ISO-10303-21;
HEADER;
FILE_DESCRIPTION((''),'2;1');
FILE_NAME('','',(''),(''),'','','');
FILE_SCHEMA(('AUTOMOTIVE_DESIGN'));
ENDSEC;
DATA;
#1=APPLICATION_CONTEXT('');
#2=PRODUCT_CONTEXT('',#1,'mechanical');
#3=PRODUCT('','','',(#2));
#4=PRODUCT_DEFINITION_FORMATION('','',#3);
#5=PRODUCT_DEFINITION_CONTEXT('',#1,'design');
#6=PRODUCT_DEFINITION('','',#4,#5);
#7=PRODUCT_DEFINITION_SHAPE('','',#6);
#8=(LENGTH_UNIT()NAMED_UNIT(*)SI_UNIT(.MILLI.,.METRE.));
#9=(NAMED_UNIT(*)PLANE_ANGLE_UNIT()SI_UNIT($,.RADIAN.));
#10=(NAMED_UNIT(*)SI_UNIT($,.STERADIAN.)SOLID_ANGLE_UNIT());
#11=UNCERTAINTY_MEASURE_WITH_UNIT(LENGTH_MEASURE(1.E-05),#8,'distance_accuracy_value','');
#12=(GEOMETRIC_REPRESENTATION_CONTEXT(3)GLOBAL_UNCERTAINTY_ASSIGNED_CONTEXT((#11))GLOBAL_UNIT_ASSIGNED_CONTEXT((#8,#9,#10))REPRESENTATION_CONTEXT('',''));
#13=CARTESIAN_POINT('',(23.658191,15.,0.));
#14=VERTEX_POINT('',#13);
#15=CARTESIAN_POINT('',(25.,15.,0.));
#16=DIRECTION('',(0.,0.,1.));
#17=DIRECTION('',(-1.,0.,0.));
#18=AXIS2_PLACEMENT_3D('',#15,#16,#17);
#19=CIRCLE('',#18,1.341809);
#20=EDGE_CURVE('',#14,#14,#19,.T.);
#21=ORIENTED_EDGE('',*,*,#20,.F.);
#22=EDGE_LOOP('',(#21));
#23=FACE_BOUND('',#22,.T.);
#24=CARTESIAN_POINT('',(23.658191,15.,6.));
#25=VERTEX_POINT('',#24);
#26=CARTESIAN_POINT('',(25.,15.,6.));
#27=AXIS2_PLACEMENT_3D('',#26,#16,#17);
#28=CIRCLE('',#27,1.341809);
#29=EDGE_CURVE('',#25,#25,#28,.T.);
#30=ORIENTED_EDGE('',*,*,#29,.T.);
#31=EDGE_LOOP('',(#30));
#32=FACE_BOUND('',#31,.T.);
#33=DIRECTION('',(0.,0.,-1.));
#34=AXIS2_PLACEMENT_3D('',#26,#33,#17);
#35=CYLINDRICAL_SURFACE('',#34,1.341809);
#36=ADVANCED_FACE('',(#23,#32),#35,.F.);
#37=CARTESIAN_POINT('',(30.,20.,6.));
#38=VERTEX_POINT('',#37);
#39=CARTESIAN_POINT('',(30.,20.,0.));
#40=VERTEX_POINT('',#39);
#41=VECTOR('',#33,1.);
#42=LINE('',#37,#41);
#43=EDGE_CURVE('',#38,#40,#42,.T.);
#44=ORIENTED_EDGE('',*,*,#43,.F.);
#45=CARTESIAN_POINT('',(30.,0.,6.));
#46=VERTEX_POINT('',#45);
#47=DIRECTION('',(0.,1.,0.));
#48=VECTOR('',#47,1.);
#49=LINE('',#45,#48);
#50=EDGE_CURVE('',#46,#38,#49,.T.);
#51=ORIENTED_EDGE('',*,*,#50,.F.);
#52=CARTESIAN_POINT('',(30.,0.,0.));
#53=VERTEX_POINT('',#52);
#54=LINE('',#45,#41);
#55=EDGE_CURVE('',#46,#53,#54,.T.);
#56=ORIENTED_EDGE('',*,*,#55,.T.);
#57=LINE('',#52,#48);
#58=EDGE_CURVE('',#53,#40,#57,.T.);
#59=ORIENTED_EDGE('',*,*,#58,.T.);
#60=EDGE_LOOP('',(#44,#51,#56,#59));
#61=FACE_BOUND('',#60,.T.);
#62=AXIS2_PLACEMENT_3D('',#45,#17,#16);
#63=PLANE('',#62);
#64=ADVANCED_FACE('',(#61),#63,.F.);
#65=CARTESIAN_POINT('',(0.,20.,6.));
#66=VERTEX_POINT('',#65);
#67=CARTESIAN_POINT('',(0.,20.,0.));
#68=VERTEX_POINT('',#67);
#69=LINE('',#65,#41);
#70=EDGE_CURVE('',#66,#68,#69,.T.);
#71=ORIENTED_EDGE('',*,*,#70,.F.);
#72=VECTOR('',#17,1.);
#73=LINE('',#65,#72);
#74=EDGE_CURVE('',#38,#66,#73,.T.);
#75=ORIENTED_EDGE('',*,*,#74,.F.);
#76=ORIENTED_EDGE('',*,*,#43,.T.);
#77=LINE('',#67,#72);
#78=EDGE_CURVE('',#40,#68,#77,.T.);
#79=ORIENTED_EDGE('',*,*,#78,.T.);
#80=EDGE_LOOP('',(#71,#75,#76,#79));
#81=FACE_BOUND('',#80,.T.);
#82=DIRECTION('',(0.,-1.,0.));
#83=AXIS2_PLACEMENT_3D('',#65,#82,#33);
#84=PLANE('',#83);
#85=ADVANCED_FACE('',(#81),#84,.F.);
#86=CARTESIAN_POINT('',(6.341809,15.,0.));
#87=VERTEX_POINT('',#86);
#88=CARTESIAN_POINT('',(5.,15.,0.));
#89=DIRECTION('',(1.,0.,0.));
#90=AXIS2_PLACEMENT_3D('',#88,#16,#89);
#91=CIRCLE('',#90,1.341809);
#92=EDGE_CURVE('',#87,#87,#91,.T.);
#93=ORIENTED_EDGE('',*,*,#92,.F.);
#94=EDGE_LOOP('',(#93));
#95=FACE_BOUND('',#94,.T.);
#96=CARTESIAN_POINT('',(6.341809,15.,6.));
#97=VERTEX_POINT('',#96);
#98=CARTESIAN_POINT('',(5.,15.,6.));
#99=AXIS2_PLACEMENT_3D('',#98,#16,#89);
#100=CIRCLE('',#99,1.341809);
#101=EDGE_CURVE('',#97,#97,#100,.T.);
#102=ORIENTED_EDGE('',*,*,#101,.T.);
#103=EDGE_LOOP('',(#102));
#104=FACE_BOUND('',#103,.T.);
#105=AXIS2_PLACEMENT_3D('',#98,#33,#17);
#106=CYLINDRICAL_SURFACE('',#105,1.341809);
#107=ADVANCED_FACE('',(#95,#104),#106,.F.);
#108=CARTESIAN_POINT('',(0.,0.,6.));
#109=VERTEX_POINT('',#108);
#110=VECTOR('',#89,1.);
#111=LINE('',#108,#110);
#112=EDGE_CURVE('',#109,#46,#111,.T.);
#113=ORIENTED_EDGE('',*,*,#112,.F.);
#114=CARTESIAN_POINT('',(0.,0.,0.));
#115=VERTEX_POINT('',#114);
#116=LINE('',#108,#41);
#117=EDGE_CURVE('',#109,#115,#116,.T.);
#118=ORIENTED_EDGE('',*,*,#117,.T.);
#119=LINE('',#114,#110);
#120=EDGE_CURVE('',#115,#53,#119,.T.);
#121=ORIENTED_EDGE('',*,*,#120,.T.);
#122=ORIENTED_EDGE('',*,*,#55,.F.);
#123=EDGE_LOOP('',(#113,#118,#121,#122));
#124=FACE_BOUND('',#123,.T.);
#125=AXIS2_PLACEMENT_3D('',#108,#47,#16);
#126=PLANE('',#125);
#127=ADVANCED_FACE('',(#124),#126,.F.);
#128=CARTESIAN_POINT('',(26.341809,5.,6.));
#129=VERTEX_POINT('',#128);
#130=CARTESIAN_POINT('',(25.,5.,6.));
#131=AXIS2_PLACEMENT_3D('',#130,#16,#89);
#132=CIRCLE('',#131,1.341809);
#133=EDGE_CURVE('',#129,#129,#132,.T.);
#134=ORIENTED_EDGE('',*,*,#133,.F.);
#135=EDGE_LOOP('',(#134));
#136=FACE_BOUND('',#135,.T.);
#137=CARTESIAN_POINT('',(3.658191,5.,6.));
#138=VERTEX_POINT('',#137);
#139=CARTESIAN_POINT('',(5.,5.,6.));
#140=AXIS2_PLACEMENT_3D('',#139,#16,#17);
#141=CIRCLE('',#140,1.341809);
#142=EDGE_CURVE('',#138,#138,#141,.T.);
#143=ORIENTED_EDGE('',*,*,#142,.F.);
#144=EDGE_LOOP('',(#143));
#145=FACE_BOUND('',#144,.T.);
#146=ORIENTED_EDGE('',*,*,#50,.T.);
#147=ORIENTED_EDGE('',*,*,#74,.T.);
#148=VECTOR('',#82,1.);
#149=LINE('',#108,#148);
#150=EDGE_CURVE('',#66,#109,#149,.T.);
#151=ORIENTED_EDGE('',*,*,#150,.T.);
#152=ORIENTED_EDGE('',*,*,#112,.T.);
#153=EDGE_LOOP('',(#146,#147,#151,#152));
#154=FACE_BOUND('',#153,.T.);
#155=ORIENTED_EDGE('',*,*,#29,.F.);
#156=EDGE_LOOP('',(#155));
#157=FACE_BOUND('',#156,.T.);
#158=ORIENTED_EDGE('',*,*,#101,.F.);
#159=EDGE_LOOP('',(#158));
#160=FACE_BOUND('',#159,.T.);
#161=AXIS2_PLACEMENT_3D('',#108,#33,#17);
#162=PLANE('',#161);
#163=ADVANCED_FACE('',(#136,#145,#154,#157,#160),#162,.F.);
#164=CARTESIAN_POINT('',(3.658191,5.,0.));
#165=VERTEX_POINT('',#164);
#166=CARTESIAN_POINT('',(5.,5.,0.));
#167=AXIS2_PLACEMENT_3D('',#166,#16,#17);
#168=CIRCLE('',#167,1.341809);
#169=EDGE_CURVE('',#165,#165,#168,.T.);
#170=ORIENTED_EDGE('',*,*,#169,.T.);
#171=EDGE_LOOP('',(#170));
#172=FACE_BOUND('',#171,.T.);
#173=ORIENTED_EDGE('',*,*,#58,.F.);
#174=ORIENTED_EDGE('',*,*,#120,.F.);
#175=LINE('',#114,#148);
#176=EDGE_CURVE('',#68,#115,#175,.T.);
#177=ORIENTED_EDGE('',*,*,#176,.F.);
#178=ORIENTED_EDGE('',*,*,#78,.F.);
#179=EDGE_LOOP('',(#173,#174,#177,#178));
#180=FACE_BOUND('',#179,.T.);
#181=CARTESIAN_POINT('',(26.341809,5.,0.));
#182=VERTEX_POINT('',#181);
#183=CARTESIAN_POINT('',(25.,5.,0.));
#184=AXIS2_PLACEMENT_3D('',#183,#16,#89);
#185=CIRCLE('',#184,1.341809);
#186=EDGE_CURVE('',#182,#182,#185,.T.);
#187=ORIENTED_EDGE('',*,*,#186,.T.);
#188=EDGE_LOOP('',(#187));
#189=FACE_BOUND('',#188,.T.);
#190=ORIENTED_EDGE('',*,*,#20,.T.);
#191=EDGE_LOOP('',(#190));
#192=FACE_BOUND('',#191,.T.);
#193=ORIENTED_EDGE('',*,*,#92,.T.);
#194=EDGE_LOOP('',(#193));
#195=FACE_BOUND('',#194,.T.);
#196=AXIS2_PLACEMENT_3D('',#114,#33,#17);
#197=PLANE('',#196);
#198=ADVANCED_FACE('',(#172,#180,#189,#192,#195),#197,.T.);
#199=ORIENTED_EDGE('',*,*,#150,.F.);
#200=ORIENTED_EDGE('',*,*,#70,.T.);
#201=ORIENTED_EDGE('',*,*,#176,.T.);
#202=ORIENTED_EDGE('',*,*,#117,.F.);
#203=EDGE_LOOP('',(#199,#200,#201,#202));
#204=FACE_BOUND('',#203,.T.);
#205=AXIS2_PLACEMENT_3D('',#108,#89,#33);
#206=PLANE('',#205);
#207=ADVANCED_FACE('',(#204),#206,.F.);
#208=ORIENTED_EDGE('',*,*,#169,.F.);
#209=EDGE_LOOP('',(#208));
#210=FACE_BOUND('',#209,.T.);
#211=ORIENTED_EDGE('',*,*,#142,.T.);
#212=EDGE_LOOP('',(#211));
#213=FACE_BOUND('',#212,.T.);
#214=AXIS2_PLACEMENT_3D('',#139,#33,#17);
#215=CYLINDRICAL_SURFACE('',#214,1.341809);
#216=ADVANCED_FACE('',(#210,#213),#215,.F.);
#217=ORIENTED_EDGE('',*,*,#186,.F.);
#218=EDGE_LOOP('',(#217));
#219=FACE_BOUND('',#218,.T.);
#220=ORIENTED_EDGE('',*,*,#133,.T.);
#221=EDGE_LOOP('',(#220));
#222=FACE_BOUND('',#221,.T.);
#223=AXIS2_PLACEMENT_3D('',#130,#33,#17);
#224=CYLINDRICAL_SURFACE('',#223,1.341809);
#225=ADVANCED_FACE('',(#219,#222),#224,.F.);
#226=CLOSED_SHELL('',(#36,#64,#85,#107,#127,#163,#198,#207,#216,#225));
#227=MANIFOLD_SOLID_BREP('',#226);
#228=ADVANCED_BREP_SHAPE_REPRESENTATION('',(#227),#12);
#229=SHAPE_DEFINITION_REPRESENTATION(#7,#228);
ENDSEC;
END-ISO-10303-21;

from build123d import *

# Parameters (mm, degrees)
ESQUISSE1_W        = 30
ESQUISSE1_H        = 20
ESQUISSE1_R        = 1.341808551
BOSS_EXTRU_1_DEPTH = 6


with BuildPart() as part:
    # Esquisse1 → Boss.-Extru.1 (new body)
    with BuildSketch(Plane.XY):
        with Locations((15, 10)):
            Rectangle(ESQUISSE1_W, ESQUISSE1_H)
        with Locations((5, 15)):
            Circle(ESQUISSE1_R, mode=Mode.SUBTRACT)
        with Locations(Location((25, 15, 0), (0, 0, 180))):
            Circle(ESQUISSE1_R, mode=Mode.SUBTRACT)
        with Locations((25, 5)):
            Circle(ESQUISSE1_R, mode=Mode.SUBTRACT)
        with Locations(Location((5, 5, 0), (0, 0, 180))):
            Circle(ESQUISSE1_R, mode=Mode.SUBTRACT)
    extrude(amount=BOSS_EXTRU_1_DEPTH)


solid = part.part
